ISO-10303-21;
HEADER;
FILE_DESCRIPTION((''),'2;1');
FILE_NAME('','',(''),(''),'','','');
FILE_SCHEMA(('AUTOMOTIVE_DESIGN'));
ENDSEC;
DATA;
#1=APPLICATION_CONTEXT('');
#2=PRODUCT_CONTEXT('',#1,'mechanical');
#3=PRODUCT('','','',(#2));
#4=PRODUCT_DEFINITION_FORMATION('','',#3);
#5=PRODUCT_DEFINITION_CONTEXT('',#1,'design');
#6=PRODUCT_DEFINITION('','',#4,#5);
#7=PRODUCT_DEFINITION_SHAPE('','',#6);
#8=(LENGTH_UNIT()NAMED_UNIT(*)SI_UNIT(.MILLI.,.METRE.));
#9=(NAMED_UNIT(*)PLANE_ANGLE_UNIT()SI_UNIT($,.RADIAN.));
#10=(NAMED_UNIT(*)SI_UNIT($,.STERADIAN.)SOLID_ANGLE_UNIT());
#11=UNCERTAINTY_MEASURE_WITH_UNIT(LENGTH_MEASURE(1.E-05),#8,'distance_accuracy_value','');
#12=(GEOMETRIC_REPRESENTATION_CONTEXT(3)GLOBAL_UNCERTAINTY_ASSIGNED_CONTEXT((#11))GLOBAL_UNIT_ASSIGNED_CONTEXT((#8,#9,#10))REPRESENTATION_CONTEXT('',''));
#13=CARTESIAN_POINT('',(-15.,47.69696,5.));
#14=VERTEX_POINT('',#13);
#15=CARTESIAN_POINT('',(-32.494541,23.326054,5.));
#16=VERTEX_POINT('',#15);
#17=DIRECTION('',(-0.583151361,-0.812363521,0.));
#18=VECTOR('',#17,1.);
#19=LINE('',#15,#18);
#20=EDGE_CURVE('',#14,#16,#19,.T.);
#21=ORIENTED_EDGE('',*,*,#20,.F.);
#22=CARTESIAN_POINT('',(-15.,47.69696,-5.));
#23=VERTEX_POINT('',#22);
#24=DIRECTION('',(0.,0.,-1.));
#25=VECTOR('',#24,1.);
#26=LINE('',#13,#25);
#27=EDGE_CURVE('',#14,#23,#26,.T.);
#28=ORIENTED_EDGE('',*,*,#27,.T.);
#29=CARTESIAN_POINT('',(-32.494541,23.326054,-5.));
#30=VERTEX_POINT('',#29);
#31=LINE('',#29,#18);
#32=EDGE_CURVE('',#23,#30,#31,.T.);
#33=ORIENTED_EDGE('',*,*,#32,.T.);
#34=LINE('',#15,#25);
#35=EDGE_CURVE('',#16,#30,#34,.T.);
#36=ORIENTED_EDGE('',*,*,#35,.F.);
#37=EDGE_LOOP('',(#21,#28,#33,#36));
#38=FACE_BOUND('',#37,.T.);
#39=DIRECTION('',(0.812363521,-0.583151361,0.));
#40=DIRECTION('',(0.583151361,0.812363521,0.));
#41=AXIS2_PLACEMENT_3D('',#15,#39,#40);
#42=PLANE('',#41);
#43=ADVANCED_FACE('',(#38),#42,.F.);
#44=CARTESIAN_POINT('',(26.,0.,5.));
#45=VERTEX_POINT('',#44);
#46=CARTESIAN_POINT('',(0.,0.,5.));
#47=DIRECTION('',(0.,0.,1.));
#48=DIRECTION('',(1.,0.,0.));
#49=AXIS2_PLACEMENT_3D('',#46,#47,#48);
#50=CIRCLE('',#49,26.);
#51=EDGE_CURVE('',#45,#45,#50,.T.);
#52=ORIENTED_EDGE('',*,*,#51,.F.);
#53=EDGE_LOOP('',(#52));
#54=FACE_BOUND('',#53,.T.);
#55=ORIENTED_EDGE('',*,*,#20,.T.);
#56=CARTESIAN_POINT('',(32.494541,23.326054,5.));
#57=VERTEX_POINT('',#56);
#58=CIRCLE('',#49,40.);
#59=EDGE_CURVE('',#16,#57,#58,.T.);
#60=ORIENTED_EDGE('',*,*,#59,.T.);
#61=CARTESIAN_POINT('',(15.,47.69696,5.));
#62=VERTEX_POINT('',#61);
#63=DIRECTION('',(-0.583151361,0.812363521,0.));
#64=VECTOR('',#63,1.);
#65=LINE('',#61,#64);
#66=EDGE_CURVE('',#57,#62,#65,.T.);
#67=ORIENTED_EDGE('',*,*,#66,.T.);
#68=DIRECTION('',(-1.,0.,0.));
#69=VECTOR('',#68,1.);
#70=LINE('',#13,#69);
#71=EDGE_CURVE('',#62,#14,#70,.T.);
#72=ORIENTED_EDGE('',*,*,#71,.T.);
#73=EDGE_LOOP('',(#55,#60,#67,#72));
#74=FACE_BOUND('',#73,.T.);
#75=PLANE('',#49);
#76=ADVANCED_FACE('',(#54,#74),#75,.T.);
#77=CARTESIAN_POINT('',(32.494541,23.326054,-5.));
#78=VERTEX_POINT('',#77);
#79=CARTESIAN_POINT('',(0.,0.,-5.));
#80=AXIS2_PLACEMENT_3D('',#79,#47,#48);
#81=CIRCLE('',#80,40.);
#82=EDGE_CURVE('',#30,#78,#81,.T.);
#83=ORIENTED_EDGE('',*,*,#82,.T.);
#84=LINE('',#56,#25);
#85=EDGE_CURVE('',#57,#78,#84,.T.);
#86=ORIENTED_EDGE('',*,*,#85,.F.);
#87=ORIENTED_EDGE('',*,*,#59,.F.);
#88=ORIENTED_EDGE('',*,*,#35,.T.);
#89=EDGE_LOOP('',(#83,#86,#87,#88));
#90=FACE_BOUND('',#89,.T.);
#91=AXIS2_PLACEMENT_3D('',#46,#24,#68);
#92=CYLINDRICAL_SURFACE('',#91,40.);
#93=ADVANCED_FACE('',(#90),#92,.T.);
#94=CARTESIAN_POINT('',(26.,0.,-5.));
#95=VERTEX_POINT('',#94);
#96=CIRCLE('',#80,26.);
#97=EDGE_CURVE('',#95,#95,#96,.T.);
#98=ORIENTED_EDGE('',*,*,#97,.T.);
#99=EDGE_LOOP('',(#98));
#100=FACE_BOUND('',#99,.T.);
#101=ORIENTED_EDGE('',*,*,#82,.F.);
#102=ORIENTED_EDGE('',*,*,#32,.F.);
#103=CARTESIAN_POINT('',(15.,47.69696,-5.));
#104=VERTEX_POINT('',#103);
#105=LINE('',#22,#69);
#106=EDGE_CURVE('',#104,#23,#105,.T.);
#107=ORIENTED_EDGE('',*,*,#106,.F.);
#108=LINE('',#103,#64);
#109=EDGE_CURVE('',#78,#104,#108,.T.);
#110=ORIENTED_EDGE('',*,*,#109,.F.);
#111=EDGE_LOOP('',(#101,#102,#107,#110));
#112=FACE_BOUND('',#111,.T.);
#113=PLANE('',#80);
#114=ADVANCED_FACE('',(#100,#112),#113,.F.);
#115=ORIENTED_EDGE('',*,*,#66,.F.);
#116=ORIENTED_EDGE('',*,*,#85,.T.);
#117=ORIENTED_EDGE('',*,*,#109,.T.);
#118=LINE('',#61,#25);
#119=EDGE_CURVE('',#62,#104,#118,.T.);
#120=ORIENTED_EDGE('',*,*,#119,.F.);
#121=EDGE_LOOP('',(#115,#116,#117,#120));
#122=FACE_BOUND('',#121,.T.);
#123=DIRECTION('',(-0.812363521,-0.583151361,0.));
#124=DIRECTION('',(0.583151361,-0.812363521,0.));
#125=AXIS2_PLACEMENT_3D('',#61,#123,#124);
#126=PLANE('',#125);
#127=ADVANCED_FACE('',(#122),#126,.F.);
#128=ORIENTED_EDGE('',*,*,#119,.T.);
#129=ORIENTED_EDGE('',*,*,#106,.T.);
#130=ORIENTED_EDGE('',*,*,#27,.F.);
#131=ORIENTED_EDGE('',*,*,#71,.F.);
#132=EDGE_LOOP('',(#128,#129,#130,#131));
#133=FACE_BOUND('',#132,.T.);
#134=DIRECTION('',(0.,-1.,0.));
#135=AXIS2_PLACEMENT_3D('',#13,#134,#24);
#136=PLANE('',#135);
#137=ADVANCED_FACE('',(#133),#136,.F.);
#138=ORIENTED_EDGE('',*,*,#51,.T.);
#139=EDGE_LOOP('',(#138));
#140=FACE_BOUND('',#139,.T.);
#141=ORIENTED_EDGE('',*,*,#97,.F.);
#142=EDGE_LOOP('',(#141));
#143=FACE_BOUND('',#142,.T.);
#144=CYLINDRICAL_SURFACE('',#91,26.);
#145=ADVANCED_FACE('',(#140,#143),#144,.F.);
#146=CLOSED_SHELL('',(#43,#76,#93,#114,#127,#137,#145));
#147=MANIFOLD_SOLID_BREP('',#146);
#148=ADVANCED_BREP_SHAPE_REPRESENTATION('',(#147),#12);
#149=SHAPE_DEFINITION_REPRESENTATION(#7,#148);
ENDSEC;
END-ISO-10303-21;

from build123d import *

# Parameters (mm, degrees)
SKETCH1_R           = 26
BOSS_EXTRUDE1_DEPTH = 5


with BuildPart() as part:
    # Sketch1 → Boss-Extrude1 (new, symmetric)
    with BuildSketch(Plane.XY):
        with BuildLine():
            Line((-32.494540834, 23.326054445), (-15, 47.696960071))
            Line((-15, 47.696960071), (15, 47.696960071))
            Line((15, 47.696960071), (32.494540834, 23.326054445))
            ThreePointArc((32.494540834, 23.326054445), (0, -40), (-32.494540834, 23.326054445))
        make_face()
        Circle(SKETCH1_R, mode=Mode.SUBTRACT)
    extrude(amount=BOSS_EXTRUDE1_DEPTH, both=True)


solid = part.part
